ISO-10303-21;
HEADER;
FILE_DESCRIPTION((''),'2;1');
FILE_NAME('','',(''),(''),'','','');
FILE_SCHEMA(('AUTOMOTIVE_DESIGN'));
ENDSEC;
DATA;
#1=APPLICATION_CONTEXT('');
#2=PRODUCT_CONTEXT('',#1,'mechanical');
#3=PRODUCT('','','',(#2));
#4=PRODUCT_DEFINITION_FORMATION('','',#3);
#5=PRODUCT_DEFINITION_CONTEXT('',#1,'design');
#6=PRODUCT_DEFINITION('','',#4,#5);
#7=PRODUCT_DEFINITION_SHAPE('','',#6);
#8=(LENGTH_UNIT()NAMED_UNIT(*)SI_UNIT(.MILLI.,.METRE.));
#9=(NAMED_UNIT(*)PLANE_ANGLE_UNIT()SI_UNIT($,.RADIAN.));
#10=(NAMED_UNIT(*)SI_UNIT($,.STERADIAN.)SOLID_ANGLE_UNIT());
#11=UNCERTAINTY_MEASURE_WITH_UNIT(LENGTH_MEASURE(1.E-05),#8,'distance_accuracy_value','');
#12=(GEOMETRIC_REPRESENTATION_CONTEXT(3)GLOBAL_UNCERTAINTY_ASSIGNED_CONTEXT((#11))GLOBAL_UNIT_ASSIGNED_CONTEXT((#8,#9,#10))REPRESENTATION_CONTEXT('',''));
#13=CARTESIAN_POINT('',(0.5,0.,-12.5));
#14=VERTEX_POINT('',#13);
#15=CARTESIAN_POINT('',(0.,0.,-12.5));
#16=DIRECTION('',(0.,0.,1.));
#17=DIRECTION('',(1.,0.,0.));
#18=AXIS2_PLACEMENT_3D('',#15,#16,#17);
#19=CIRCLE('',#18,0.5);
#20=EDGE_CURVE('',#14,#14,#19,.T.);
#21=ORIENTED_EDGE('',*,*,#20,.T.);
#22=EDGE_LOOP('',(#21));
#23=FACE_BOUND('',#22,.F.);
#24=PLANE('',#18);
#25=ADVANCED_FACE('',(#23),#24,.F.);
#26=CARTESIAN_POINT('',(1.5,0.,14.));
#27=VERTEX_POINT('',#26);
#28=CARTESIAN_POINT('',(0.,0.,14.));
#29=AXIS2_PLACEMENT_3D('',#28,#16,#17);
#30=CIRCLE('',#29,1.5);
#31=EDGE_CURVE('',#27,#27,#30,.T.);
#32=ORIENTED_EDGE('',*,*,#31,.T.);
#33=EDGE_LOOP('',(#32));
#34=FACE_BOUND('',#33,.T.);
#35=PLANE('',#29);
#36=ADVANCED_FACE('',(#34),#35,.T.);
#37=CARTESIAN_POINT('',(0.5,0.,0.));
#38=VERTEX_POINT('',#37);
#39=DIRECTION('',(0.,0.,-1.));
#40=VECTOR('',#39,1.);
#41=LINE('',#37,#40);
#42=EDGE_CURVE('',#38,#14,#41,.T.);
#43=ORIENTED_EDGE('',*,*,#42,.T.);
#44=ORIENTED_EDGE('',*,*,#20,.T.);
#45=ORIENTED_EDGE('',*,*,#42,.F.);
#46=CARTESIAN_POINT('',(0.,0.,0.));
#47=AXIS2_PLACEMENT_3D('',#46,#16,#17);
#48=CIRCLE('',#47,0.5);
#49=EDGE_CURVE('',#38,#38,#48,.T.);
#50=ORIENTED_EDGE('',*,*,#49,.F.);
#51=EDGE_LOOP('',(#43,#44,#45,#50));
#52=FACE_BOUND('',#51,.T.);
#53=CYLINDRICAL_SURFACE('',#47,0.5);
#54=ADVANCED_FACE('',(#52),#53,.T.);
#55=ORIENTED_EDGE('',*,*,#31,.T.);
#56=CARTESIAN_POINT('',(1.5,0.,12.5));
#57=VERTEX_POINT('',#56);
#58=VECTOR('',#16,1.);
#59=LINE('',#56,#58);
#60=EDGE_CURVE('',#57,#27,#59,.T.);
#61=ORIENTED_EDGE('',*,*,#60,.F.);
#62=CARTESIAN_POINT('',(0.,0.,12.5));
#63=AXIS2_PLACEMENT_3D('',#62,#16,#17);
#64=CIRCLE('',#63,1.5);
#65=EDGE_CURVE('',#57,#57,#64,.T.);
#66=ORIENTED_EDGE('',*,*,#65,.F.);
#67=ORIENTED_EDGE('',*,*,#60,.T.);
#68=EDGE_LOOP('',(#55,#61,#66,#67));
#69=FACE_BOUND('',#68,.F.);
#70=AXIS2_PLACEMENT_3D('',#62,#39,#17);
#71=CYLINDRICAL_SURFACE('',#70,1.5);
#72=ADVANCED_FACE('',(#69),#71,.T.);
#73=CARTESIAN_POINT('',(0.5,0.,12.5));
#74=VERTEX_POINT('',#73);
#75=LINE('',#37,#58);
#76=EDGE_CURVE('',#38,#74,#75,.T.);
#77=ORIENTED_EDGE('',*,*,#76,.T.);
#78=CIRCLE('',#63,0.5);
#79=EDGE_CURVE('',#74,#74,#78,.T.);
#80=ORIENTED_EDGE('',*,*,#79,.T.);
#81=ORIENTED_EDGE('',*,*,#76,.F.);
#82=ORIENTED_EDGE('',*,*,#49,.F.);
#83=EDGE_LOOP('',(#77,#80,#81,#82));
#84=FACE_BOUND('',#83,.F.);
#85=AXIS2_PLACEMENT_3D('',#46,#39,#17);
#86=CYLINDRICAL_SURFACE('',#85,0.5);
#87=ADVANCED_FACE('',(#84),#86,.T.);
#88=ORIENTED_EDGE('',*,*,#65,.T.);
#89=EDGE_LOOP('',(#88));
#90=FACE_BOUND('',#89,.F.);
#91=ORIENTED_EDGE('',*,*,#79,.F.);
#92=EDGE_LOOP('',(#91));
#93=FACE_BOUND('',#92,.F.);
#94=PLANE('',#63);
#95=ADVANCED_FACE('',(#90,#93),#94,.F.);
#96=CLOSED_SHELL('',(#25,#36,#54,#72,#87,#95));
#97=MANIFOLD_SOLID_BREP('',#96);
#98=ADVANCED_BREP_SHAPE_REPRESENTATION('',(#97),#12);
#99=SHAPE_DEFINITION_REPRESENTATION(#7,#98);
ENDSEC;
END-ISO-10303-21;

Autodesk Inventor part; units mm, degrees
ref_plane "YZ Plane" through (0, 0, 0) normal (1, 0, 0) x (0, 1, 0)
ref_plane "XZ Plane" through (0, 0, 0) normal (0, 1, 0) x (-1, 0, 0)
ref_plane "XY Plane" through (0, 0, 0) normal (0, 0, 1) x (1, 0, 0)
sketch "Sketch1" plane through (0, 0, 0) normal (0, 0, 1) x (1, 0, 0)
  circle A0 centre (0, 0) radius 0.5
  dimension "d0" = 1
extrude "Extrusion1" add sketch "Sketch1" along normal mid plane 25
sketch "Sketch2" plane through (0, 0, 12.5) normal (0, 0, 1) x (1, 0, 0)
  circle A0 centre (0, 0) radius 1.5
  dimension "d3" = 3
extrude "Extrusion2" add sketch "Sketch2" along normal blind 1.5
properties part number "aa"
